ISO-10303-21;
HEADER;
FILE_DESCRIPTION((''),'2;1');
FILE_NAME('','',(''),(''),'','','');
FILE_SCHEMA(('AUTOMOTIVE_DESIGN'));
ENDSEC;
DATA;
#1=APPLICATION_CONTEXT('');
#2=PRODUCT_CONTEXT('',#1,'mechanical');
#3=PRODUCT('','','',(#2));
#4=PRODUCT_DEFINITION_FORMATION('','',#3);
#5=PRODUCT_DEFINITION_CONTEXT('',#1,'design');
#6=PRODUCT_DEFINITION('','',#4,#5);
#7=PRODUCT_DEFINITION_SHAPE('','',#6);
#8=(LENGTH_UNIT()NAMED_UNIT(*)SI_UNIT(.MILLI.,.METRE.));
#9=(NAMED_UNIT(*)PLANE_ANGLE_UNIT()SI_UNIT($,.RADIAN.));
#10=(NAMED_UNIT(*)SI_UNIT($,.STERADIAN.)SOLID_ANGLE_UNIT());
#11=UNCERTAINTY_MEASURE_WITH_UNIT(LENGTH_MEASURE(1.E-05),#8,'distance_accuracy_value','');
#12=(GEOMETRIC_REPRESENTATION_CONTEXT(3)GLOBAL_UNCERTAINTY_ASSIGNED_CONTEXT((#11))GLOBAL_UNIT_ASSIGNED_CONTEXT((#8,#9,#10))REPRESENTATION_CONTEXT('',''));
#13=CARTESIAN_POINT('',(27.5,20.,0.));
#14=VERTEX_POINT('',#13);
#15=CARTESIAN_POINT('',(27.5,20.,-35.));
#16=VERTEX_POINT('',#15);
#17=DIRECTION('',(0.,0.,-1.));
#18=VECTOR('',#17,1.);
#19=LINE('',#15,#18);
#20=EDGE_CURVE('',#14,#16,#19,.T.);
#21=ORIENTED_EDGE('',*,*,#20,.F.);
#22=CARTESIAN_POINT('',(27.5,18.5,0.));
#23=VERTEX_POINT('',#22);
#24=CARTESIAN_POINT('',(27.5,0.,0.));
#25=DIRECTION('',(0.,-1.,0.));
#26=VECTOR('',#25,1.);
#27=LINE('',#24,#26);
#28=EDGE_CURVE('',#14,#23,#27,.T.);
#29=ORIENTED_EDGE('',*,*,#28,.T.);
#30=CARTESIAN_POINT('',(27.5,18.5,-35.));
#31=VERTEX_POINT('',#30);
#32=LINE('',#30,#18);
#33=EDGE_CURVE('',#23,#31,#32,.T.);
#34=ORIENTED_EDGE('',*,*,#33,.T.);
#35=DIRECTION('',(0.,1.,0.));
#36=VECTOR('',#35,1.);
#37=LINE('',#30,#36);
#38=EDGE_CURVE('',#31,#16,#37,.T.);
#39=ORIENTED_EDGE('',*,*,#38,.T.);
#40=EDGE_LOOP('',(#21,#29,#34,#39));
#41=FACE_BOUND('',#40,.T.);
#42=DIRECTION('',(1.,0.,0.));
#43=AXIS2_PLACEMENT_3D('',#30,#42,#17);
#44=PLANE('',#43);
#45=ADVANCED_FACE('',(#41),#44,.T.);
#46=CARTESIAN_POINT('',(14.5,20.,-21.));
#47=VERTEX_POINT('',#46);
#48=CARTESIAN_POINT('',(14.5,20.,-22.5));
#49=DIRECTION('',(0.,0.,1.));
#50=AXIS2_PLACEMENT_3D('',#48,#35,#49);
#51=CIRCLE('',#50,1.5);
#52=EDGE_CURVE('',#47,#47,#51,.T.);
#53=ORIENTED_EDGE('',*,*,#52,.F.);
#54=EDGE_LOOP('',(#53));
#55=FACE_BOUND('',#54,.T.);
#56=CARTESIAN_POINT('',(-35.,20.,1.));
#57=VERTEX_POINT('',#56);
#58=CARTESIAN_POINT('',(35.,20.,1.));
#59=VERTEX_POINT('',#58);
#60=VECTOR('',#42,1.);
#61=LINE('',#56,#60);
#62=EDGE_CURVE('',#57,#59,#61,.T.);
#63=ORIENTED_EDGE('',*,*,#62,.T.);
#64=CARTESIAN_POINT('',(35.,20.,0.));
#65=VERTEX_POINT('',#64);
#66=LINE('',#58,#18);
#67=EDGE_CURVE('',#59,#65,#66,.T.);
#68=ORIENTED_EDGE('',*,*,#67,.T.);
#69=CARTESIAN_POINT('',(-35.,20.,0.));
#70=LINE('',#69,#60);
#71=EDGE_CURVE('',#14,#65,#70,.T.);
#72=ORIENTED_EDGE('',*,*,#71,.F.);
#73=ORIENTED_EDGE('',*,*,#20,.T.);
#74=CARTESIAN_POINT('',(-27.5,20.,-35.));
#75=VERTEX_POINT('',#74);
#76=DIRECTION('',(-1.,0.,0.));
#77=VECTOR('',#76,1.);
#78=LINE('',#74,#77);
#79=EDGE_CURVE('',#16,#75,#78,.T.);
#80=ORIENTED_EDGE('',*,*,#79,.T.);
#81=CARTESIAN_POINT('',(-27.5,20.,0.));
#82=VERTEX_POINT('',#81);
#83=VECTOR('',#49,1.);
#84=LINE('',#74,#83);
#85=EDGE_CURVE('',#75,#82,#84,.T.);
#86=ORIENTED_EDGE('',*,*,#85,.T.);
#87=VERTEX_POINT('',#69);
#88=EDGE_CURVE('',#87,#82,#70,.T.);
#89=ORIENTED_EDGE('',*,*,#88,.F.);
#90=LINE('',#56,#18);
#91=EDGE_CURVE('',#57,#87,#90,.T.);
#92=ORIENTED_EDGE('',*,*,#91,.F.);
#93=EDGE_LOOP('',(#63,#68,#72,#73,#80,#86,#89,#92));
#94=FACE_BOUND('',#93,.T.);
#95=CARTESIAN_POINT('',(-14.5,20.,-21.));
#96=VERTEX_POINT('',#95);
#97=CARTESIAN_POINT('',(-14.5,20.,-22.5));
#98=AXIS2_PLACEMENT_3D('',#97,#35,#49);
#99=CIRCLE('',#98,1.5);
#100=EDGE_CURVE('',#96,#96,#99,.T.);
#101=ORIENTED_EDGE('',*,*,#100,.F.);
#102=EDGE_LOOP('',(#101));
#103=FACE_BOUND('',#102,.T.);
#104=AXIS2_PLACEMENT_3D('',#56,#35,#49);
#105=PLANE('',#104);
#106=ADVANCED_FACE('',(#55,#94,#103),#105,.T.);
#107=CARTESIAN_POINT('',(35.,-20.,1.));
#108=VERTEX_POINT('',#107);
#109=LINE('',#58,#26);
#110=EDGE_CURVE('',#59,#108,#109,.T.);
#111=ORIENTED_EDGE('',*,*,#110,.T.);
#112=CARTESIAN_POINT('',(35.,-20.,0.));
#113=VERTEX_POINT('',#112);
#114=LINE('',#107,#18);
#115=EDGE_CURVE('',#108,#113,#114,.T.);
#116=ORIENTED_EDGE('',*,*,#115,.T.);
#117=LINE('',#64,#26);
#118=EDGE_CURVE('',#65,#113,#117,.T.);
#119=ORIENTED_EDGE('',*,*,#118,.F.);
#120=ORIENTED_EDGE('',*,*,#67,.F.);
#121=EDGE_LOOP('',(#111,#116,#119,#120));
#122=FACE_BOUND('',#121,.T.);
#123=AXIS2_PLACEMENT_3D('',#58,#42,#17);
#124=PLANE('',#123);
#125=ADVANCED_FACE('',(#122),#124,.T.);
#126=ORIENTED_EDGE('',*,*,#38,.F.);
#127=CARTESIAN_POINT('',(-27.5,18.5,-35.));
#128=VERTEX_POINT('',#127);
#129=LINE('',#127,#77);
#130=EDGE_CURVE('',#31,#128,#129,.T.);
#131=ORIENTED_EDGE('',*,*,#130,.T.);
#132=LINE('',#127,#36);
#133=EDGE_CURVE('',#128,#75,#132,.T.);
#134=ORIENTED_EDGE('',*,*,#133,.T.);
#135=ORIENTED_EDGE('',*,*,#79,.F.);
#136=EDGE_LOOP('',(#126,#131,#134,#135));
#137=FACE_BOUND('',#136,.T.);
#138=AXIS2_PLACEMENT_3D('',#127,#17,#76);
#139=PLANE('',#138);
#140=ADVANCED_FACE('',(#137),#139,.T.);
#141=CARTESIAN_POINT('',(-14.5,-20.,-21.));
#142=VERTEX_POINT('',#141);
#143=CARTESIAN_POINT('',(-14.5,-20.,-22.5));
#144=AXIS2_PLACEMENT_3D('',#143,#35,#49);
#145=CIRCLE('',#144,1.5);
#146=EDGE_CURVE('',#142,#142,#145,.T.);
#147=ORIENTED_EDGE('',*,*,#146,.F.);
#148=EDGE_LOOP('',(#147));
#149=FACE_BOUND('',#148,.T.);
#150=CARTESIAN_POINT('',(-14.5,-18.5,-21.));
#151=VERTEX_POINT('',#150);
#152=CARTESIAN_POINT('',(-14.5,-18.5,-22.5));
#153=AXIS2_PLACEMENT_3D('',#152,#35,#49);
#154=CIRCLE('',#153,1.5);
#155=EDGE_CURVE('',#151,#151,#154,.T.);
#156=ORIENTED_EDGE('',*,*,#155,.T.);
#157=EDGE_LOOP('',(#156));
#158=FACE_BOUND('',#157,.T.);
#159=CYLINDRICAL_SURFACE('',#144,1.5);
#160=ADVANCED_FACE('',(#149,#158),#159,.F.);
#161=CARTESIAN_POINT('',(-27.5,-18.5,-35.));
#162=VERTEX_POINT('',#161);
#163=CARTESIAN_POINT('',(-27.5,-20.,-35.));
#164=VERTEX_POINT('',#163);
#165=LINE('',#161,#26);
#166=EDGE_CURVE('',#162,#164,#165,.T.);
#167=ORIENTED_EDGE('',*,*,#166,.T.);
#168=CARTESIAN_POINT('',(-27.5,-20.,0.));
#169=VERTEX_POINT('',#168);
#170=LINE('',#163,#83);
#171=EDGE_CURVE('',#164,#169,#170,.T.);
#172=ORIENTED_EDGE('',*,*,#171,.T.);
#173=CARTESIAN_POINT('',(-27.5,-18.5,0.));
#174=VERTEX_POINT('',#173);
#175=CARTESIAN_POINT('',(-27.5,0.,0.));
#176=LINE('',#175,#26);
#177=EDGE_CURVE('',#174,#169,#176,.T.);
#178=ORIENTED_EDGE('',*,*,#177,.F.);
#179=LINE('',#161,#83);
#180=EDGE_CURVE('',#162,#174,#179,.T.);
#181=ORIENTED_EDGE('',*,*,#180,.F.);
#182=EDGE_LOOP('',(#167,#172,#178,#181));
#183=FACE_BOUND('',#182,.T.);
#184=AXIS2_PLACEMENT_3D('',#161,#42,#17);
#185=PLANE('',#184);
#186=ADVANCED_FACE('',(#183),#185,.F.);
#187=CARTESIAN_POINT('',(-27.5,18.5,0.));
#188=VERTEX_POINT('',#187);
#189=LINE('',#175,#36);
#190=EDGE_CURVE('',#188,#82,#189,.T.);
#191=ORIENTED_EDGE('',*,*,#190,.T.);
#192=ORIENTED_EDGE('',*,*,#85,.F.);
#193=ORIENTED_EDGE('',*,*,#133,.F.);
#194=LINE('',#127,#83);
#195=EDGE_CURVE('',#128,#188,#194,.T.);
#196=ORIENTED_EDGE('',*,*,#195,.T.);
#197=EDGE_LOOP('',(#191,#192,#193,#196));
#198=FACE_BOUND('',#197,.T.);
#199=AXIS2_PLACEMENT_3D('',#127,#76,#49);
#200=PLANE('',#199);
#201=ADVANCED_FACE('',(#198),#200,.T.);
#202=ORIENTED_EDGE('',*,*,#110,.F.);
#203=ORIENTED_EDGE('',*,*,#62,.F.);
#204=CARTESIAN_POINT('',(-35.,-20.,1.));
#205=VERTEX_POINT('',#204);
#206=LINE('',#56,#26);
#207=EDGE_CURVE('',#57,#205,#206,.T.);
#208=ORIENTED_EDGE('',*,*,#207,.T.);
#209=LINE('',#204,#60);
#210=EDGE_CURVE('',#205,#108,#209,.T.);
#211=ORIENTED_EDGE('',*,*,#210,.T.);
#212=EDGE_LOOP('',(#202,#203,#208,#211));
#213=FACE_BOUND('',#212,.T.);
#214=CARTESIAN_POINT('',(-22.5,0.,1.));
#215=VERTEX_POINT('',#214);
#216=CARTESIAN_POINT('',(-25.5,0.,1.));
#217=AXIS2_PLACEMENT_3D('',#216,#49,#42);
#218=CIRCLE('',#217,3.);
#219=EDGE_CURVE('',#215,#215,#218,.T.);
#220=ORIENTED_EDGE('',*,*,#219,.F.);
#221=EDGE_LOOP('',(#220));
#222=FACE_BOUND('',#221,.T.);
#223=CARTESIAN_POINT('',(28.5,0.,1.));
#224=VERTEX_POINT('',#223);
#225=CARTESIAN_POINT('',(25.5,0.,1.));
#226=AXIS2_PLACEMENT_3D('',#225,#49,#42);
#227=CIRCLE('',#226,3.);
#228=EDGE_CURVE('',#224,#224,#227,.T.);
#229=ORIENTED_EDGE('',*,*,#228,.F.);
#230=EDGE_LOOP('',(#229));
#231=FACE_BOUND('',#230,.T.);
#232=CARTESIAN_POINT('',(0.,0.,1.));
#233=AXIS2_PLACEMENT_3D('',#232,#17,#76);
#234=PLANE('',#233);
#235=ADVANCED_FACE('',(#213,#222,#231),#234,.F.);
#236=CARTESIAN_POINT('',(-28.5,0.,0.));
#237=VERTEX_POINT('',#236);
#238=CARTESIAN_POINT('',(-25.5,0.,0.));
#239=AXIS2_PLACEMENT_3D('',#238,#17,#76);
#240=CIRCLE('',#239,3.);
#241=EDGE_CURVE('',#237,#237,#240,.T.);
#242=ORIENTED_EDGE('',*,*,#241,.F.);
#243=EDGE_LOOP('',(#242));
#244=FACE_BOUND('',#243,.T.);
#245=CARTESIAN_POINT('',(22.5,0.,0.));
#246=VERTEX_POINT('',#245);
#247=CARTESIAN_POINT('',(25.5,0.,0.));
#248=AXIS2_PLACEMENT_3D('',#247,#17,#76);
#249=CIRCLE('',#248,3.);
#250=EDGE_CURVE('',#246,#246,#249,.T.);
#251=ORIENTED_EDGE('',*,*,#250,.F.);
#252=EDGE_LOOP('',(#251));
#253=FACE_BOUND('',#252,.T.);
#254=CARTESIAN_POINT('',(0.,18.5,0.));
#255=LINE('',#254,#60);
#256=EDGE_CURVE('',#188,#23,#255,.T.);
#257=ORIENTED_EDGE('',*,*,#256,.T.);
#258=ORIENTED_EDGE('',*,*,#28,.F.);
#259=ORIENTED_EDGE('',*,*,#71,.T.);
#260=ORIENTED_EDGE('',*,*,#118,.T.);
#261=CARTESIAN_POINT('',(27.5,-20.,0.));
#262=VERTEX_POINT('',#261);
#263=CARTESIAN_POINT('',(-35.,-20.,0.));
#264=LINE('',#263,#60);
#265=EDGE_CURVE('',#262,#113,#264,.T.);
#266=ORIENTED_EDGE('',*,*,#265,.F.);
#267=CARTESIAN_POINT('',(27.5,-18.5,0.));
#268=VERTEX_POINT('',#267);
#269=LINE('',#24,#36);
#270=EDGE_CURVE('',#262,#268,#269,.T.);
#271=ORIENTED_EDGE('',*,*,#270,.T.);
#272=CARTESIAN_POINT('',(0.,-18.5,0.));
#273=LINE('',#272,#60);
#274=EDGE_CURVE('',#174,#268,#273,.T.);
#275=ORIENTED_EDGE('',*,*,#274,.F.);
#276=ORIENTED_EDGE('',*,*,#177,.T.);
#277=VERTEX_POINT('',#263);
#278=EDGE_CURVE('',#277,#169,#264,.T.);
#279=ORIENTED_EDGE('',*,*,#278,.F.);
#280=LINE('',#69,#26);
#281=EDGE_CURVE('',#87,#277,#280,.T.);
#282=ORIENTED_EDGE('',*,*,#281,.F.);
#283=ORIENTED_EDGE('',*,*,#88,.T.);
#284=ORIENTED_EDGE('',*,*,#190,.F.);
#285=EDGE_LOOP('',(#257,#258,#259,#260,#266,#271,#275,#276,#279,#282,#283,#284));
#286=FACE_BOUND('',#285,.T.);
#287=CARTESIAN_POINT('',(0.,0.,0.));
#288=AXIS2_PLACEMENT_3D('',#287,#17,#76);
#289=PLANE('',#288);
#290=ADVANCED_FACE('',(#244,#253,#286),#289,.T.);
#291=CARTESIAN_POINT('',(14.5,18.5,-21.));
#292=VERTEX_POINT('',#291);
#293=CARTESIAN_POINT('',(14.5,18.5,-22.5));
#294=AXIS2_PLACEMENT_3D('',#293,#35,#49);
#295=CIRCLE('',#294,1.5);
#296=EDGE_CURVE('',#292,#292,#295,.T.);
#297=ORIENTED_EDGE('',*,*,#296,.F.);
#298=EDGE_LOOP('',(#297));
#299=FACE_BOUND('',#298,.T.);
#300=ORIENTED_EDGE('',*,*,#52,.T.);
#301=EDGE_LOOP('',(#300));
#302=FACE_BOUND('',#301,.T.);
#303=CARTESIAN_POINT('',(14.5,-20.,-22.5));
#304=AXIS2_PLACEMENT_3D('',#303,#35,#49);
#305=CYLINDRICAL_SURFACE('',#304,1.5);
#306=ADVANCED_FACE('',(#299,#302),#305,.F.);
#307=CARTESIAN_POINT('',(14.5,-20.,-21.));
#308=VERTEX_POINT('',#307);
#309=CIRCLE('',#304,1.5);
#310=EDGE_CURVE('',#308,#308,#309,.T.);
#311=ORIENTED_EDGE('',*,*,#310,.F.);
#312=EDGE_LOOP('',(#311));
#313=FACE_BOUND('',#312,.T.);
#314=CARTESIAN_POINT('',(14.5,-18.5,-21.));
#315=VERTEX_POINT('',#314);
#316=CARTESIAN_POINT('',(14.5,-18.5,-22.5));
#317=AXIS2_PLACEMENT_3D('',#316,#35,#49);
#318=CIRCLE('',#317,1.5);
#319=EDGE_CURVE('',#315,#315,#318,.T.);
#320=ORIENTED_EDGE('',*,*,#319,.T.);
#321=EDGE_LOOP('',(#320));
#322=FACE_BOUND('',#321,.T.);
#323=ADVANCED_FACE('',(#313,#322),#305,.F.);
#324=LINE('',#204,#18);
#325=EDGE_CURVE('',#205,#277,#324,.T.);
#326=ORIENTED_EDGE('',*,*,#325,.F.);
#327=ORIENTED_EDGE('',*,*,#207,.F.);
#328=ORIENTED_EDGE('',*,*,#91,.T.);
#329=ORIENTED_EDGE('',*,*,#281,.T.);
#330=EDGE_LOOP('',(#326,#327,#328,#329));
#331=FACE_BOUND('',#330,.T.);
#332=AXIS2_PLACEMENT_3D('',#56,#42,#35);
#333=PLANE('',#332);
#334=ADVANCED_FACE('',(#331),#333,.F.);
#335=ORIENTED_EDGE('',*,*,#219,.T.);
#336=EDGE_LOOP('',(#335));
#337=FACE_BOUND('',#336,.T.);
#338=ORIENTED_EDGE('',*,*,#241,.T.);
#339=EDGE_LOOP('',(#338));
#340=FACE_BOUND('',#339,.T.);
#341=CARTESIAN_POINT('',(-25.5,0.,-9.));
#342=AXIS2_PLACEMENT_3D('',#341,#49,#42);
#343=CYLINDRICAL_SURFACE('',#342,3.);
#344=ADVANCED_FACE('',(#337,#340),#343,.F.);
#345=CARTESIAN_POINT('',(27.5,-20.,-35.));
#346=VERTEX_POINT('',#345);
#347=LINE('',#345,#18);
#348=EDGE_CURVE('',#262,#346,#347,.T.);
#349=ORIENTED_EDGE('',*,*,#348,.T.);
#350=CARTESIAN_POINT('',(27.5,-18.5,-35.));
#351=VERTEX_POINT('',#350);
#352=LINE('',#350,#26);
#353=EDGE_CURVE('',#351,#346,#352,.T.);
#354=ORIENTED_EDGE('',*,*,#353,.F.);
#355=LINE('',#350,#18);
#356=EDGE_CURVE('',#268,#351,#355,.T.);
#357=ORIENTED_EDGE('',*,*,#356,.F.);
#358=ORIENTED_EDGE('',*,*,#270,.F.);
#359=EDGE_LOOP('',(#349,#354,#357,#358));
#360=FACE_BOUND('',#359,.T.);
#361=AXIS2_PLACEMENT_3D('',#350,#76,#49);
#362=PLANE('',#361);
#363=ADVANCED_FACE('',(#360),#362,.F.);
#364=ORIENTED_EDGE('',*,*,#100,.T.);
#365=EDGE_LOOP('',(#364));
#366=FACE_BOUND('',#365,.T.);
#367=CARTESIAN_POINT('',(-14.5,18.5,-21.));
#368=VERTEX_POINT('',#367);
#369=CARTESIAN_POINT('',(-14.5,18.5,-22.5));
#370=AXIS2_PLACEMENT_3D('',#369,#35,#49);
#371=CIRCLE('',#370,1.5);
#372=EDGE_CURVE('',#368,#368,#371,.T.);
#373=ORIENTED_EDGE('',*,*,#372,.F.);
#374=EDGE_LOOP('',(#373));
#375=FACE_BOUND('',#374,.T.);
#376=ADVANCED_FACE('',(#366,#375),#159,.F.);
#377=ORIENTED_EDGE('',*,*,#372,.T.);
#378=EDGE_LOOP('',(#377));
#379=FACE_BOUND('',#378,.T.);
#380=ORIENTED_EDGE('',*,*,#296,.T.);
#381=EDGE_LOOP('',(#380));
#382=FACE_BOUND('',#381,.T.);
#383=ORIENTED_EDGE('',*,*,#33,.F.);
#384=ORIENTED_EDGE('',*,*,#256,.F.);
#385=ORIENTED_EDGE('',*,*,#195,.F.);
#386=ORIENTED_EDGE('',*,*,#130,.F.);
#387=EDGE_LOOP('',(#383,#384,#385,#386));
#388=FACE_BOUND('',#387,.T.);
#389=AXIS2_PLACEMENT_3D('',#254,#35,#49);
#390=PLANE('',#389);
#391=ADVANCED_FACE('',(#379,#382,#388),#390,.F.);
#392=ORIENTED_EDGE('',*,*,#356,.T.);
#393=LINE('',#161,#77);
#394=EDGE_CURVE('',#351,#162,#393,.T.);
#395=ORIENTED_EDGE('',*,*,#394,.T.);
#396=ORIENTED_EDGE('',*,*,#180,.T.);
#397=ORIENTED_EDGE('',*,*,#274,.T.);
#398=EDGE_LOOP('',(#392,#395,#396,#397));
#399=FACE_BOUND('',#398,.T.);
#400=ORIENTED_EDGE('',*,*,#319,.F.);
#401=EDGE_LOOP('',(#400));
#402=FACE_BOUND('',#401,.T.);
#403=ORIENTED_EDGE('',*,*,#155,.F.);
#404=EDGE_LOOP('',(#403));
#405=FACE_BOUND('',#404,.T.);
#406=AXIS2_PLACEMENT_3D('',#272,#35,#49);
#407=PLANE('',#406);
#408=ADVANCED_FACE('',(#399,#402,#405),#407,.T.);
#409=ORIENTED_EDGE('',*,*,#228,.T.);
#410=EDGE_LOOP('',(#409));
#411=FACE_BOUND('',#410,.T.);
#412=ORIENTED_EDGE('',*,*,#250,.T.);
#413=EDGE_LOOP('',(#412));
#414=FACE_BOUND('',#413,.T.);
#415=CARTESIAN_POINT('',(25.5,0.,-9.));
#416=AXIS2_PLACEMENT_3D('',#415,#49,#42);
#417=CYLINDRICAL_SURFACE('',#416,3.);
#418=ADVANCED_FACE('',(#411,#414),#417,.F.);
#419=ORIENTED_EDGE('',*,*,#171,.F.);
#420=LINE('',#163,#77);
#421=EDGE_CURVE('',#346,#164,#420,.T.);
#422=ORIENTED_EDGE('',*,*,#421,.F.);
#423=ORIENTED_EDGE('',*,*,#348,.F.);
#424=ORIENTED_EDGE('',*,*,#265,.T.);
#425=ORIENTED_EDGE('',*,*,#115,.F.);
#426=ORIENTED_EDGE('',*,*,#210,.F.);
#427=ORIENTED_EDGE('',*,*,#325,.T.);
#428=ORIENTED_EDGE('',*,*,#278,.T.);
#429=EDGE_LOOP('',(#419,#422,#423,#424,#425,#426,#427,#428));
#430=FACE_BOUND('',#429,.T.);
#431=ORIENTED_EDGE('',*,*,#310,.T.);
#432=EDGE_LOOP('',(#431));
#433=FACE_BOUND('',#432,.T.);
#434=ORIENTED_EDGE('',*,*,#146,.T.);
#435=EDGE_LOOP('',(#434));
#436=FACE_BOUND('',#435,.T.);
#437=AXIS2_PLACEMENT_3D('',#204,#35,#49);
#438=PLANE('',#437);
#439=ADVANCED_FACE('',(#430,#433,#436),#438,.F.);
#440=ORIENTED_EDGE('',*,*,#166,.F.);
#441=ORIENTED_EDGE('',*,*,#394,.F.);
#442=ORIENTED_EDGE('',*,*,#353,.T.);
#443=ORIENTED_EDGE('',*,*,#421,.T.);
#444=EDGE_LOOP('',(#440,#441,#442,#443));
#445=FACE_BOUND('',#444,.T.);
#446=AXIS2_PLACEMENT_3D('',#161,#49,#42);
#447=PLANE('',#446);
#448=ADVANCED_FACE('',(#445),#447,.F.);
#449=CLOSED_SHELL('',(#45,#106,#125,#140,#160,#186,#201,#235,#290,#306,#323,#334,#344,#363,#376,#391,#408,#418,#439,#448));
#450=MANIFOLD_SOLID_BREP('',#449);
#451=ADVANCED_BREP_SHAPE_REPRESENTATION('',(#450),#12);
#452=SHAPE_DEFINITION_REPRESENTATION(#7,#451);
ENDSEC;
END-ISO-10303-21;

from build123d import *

# Parameters (mm, degrees)
SKETCH_1_W          = 70
SKETCH_1_H          = 40
EXTRUDE_1_DEPTH     = 1
SKETCH_2_R          = 3
CUT_EXTRUDE_1_DEPTH = 10
SKETCH_4_W          = 55
SKETCH_4_H          = 36
EXTRUDE_2_DEPTH     = 1.5
EXTRUDE_START       = -40
SKETCH_4_2_W        = 55
SKETCH_4_2_H        = 36
EXTRUDE_3_DEPTH     = 1.5
SKETCH_5_R          = 1.5
CUT_EXTRUDE_2_DEPTH = 41


with BuildPart() as part:
    # 草图1 → 凸台-拉伸1 (new body)
    with BuildSketch(Plane.XY):
        Rectangle(SKETCH_1_W, SKETCH_1_H)
    extrude(amount=EXTRUDE_1_DEPTH)

    # 草图2 → 切除-拉伸1 (cut)
    with BuildSketch(Plane.XY.offset(1)):
        with Locations((-25.5, 0)):
            Circle(SKETCH_2_R)
        with Locations((25.5, 0)):
            Circle(SKETCH_2_R)
    extrude(amount=-CUT_EXTRUDE_1_DEPTH, mode=Mode.SUBTRACT)

    # 草图4 → 凸台-拉伸2 (add)
    with BuildSketch(Plane(origin=(0, 20, 0), x_dir=(1, 0, 0), z_dir=(0, 1, 0))):
        with Locations((0, 17)):
            Rectangle(SKETCH_4_W, SKETCH_4_H)
    extrude(amount=-EXTRUDE_2_DEPTH)

    # 草图4<2> → 凸台-拉伸3 (add)
    with BuildSketch(Plane(origin=(0, 20, 0), x_dir=(1, 0, 0), z_dir=(0, 1, 0)).offset(EXTRUDE_START)):
        with Locations((0, 17)):
            Rectangle(SKETCH_4_2_W, SKETCH_4_2_H)
    extrude(amount=EXTRUDE_3_DEPTH)

    # 草图5 → 切除-拉伸2 (cut, through all)
    with BuildSketch(Plane(origin=(0, 20, 0), x_dir=(1, 0, 0), z_dir=(0, 1, 0))):
        with Locations((-14.5, 22.5)):
            Circle(SKETCH_5_R)
        with Locations((14.5, 22.5)):
            Circle(SKETCH_5_R)
    extrude(amount=-CUT_EXTRUDE_2_DEPTH, mode=Mode.SUBTRACT)


solid = part.part
